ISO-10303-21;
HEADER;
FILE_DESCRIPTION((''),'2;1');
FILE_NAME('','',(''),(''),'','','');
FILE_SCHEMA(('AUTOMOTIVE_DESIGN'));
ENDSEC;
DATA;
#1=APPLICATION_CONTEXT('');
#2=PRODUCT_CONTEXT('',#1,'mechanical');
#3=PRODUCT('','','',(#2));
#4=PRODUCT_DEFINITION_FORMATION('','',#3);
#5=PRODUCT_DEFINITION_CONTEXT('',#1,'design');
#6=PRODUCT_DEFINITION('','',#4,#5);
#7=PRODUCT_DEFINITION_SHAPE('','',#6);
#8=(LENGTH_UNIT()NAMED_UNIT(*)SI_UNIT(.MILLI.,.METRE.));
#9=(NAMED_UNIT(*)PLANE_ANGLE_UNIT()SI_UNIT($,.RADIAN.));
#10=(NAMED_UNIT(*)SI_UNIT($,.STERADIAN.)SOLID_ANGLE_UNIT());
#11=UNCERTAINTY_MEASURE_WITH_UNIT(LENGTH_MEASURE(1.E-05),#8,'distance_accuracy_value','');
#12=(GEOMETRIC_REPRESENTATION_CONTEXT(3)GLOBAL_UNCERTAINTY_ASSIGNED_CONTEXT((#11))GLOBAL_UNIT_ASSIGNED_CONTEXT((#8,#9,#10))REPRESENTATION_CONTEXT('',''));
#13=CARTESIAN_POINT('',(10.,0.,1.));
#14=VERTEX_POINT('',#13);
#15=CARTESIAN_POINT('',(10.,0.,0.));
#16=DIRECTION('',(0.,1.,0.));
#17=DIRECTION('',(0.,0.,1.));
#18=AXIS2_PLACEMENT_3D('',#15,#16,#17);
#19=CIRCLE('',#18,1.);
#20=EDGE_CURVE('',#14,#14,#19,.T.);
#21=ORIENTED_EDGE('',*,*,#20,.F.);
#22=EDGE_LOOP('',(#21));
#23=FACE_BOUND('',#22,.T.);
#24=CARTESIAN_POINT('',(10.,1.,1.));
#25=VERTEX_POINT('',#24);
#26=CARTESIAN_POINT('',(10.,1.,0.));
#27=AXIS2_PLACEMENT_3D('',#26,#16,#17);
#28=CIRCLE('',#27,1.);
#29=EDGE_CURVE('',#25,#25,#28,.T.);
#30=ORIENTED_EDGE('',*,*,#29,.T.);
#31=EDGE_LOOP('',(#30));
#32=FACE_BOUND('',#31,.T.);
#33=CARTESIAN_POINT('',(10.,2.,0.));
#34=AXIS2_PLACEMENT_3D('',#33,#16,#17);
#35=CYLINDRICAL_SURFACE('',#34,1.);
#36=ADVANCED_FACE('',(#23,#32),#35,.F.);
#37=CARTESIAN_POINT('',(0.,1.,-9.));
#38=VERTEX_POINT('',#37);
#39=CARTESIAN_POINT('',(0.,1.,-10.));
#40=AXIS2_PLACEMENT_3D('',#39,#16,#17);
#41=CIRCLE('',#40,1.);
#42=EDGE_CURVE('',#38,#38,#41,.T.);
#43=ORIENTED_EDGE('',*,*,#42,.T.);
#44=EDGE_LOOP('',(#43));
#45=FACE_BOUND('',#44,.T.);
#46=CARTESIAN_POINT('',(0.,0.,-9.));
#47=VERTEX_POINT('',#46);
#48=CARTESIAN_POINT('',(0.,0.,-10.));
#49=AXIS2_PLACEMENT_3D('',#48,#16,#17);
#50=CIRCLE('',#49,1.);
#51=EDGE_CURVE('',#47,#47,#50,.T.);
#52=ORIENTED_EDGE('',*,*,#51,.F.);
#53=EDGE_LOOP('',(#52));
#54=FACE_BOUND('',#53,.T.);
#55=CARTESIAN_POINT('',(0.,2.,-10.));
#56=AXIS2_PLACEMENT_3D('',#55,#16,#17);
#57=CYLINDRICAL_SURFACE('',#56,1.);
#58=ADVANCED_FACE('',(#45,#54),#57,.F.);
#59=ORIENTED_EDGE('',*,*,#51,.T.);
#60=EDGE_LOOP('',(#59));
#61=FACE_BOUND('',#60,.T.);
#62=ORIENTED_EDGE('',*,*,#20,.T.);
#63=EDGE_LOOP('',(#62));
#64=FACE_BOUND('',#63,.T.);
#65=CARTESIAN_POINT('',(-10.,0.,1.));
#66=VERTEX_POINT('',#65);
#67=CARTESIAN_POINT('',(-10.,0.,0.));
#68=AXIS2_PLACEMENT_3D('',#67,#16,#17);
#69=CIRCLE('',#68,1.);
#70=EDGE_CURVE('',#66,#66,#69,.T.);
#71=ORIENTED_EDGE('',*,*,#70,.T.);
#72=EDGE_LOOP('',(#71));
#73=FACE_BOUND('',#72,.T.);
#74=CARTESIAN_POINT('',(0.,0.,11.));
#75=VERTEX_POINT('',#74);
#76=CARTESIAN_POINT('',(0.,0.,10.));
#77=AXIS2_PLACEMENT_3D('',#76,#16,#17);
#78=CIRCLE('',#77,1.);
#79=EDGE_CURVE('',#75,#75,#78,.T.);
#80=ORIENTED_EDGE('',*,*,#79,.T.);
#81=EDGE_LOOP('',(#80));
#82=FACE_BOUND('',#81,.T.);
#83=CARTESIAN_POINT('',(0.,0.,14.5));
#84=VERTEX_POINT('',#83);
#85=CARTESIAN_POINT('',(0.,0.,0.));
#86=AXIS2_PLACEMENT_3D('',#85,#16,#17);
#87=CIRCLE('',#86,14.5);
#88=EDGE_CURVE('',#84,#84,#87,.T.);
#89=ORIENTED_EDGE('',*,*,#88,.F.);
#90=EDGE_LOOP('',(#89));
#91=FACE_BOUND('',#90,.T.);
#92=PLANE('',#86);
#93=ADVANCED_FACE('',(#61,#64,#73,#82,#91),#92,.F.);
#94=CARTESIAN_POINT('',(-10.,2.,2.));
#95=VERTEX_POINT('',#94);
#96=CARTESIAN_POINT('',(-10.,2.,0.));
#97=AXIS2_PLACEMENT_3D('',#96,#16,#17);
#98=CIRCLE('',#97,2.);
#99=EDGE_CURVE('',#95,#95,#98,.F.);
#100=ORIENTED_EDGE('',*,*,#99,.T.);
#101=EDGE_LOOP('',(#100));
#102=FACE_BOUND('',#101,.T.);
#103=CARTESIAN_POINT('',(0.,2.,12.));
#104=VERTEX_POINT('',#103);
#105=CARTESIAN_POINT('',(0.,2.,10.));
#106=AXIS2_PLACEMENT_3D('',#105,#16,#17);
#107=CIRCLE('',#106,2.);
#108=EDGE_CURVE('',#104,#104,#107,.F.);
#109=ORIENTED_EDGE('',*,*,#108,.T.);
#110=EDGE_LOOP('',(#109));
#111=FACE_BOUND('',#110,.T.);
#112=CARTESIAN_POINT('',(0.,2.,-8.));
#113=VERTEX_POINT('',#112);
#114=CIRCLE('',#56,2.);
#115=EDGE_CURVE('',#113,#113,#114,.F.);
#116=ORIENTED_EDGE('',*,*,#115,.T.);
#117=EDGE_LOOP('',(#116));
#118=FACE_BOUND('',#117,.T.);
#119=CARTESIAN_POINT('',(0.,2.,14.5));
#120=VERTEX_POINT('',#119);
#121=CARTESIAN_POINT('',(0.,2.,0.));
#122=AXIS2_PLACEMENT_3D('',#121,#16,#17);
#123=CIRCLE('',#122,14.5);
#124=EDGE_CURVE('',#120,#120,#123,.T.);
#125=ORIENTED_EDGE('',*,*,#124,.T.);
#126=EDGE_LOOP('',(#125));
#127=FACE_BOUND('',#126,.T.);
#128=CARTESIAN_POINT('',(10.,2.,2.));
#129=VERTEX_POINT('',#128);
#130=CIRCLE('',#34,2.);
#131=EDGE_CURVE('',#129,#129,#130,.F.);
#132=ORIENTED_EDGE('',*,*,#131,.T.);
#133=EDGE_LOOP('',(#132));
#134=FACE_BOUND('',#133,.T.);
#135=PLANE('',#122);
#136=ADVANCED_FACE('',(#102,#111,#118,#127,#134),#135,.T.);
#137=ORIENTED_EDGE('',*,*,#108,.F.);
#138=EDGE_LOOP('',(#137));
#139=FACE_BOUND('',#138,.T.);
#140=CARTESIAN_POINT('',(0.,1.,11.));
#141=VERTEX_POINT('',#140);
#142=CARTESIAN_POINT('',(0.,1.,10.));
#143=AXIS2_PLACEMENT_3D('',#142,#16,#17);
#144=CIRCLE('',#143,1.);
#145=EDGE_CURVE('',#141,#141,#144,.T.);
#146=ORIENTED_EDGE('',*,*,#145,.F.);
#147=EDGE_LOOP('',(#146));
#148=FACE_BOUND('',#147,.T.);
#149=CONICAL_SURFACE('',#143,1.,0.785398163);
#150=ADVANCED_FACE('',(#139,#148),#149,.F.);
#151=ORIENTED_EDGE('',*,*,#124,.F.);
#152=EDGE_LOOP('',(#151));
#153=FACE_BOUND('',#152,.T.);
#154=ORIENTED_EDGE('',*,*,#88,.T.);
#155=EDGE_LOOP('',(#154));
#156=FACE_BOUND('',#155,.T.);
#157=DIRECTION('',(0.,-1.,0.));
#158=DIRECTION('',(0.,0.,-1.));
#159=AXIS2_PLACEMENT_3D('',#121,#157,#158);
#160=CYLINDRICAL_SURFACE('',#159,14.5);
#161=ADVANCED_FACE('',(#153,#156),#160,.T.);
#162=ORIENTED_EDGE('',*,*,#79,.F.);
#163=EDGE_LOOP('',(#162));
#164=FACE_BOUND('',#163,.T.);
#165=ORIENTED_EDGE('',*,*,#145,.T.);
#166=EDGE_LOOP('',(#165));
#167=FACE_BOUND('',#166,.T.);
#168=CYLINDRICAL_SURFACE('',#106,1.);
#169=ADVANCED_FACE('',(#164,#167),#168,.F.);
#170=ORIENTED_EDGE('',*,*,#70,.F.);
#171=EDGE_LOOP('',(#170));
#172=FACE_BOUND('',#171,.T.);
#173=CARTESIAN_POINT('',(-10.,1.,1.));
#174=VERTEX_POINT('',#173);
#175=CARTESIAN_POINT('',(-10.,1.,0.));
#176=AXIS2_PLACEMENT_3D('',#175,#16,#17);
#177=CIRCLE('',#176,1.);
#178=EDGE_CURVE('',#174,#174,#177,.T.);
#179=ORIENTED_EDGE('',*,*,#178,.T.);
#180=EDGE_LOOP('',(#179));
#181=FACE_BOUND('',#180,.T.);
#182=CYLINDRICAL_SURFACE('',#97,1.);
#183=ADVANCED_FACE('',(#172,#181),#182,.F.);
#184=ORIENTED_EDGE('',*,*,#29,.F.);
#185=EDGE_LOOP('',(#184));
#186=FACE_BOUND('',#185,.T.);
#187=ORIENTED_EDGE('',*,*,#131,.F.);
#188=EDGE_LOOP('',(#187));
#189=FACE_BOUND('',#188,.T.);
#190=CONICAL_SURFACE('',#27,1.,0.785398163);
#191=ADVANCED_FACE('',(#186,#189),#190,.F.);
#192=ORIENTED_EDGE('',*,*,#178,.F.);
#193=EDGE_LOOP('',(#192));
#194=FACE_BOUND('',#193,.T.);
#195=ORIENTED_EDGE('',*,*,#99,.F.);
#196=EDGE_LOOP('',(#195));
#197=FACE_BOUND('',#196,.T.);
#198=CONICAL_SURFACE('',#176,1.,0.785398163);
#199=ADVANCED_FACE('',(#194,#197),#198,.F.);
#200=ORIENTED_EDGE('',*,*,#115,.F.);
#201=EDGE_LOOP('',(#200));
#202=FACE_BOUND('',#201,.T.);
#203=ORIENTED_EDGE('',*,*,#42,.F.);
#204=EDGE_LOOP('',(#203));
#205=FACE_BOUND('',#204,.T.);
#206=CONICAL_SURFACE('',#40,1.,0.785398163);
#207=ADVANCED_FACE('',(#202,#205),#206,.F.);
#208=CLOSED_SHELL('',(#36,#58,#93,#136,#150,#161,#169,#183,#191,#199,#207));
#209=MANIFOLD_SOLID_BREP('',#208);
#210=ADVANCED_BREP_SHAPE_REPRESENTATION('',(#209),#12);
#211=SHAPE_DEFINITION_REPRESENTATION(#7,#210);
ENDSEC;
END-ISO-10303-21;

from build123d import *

# Parameters (mm, degrees)
SKETCH1_R                 = 14.5
BOSS_EXTRUDE1_DEPTH       = 2
F_2_0MM_DOWEL_HOLE1_D     = 2
F_2_0MM_DOWEL_HOLE1_DEPTH = 42.93
F_2_0MM_DOWEL_HOLE1_TIP   = 0.600860619
CHAMFER1_SIZE             = 1


with BuildPart() as part:
    # Sketch1 → Boss-Extrude1 (new body)
    with BuildSketch(Plane(origin=(0, 0, 0), x_dir=(1, 0, 0), z_dir=(0, 1, 0))):
        with Locations(Location((0, 0, 0), (0, 0, 270))):
            Circle(SKETCH1_R)
    extrude(amount=BOSS_EXTRUDE1_DEPTH)

    # Ø2.0mm Dowel Hole1
    with Locations(Plane(origin=(0, 2, 0), x_dir=(1, 0, 0), z_dir=(0, 1, 0))):
        with Locations((-10, 0), (0, 10), (10, 0), (0, -10)):
            Hole(F_2_0MM_DOWEL_HOLE1_D / 2, depth=F_2_0MM_DOWEL_HOLE1_DEPTH)
            with Locations((0, 0, -(F_2_0MM_DOWEL_HOLE1_DEPTH + F_2_0MM_DOWEL_HOLE1_TIP / 2))):  # 118° drill point
                Cone(0, F_2_0MM_DOWEL_HOLE1_D / 2, F_2_0MM_DOWEL_HOLE1_TIP, mode=Mode.SUBTRACT)

    # Chamfer1
    chamfer1_edges = [part.edges().sort_by_distance(p)[0] for p in [
        (1, 2, 10),
        (11, 2, 0),
        (1, 2, -10),
        (-9, 2, 0),
    ]]
    chamfer(chamfer1_edges, length=CHAMFER1_SIZE)


solid = part.part
